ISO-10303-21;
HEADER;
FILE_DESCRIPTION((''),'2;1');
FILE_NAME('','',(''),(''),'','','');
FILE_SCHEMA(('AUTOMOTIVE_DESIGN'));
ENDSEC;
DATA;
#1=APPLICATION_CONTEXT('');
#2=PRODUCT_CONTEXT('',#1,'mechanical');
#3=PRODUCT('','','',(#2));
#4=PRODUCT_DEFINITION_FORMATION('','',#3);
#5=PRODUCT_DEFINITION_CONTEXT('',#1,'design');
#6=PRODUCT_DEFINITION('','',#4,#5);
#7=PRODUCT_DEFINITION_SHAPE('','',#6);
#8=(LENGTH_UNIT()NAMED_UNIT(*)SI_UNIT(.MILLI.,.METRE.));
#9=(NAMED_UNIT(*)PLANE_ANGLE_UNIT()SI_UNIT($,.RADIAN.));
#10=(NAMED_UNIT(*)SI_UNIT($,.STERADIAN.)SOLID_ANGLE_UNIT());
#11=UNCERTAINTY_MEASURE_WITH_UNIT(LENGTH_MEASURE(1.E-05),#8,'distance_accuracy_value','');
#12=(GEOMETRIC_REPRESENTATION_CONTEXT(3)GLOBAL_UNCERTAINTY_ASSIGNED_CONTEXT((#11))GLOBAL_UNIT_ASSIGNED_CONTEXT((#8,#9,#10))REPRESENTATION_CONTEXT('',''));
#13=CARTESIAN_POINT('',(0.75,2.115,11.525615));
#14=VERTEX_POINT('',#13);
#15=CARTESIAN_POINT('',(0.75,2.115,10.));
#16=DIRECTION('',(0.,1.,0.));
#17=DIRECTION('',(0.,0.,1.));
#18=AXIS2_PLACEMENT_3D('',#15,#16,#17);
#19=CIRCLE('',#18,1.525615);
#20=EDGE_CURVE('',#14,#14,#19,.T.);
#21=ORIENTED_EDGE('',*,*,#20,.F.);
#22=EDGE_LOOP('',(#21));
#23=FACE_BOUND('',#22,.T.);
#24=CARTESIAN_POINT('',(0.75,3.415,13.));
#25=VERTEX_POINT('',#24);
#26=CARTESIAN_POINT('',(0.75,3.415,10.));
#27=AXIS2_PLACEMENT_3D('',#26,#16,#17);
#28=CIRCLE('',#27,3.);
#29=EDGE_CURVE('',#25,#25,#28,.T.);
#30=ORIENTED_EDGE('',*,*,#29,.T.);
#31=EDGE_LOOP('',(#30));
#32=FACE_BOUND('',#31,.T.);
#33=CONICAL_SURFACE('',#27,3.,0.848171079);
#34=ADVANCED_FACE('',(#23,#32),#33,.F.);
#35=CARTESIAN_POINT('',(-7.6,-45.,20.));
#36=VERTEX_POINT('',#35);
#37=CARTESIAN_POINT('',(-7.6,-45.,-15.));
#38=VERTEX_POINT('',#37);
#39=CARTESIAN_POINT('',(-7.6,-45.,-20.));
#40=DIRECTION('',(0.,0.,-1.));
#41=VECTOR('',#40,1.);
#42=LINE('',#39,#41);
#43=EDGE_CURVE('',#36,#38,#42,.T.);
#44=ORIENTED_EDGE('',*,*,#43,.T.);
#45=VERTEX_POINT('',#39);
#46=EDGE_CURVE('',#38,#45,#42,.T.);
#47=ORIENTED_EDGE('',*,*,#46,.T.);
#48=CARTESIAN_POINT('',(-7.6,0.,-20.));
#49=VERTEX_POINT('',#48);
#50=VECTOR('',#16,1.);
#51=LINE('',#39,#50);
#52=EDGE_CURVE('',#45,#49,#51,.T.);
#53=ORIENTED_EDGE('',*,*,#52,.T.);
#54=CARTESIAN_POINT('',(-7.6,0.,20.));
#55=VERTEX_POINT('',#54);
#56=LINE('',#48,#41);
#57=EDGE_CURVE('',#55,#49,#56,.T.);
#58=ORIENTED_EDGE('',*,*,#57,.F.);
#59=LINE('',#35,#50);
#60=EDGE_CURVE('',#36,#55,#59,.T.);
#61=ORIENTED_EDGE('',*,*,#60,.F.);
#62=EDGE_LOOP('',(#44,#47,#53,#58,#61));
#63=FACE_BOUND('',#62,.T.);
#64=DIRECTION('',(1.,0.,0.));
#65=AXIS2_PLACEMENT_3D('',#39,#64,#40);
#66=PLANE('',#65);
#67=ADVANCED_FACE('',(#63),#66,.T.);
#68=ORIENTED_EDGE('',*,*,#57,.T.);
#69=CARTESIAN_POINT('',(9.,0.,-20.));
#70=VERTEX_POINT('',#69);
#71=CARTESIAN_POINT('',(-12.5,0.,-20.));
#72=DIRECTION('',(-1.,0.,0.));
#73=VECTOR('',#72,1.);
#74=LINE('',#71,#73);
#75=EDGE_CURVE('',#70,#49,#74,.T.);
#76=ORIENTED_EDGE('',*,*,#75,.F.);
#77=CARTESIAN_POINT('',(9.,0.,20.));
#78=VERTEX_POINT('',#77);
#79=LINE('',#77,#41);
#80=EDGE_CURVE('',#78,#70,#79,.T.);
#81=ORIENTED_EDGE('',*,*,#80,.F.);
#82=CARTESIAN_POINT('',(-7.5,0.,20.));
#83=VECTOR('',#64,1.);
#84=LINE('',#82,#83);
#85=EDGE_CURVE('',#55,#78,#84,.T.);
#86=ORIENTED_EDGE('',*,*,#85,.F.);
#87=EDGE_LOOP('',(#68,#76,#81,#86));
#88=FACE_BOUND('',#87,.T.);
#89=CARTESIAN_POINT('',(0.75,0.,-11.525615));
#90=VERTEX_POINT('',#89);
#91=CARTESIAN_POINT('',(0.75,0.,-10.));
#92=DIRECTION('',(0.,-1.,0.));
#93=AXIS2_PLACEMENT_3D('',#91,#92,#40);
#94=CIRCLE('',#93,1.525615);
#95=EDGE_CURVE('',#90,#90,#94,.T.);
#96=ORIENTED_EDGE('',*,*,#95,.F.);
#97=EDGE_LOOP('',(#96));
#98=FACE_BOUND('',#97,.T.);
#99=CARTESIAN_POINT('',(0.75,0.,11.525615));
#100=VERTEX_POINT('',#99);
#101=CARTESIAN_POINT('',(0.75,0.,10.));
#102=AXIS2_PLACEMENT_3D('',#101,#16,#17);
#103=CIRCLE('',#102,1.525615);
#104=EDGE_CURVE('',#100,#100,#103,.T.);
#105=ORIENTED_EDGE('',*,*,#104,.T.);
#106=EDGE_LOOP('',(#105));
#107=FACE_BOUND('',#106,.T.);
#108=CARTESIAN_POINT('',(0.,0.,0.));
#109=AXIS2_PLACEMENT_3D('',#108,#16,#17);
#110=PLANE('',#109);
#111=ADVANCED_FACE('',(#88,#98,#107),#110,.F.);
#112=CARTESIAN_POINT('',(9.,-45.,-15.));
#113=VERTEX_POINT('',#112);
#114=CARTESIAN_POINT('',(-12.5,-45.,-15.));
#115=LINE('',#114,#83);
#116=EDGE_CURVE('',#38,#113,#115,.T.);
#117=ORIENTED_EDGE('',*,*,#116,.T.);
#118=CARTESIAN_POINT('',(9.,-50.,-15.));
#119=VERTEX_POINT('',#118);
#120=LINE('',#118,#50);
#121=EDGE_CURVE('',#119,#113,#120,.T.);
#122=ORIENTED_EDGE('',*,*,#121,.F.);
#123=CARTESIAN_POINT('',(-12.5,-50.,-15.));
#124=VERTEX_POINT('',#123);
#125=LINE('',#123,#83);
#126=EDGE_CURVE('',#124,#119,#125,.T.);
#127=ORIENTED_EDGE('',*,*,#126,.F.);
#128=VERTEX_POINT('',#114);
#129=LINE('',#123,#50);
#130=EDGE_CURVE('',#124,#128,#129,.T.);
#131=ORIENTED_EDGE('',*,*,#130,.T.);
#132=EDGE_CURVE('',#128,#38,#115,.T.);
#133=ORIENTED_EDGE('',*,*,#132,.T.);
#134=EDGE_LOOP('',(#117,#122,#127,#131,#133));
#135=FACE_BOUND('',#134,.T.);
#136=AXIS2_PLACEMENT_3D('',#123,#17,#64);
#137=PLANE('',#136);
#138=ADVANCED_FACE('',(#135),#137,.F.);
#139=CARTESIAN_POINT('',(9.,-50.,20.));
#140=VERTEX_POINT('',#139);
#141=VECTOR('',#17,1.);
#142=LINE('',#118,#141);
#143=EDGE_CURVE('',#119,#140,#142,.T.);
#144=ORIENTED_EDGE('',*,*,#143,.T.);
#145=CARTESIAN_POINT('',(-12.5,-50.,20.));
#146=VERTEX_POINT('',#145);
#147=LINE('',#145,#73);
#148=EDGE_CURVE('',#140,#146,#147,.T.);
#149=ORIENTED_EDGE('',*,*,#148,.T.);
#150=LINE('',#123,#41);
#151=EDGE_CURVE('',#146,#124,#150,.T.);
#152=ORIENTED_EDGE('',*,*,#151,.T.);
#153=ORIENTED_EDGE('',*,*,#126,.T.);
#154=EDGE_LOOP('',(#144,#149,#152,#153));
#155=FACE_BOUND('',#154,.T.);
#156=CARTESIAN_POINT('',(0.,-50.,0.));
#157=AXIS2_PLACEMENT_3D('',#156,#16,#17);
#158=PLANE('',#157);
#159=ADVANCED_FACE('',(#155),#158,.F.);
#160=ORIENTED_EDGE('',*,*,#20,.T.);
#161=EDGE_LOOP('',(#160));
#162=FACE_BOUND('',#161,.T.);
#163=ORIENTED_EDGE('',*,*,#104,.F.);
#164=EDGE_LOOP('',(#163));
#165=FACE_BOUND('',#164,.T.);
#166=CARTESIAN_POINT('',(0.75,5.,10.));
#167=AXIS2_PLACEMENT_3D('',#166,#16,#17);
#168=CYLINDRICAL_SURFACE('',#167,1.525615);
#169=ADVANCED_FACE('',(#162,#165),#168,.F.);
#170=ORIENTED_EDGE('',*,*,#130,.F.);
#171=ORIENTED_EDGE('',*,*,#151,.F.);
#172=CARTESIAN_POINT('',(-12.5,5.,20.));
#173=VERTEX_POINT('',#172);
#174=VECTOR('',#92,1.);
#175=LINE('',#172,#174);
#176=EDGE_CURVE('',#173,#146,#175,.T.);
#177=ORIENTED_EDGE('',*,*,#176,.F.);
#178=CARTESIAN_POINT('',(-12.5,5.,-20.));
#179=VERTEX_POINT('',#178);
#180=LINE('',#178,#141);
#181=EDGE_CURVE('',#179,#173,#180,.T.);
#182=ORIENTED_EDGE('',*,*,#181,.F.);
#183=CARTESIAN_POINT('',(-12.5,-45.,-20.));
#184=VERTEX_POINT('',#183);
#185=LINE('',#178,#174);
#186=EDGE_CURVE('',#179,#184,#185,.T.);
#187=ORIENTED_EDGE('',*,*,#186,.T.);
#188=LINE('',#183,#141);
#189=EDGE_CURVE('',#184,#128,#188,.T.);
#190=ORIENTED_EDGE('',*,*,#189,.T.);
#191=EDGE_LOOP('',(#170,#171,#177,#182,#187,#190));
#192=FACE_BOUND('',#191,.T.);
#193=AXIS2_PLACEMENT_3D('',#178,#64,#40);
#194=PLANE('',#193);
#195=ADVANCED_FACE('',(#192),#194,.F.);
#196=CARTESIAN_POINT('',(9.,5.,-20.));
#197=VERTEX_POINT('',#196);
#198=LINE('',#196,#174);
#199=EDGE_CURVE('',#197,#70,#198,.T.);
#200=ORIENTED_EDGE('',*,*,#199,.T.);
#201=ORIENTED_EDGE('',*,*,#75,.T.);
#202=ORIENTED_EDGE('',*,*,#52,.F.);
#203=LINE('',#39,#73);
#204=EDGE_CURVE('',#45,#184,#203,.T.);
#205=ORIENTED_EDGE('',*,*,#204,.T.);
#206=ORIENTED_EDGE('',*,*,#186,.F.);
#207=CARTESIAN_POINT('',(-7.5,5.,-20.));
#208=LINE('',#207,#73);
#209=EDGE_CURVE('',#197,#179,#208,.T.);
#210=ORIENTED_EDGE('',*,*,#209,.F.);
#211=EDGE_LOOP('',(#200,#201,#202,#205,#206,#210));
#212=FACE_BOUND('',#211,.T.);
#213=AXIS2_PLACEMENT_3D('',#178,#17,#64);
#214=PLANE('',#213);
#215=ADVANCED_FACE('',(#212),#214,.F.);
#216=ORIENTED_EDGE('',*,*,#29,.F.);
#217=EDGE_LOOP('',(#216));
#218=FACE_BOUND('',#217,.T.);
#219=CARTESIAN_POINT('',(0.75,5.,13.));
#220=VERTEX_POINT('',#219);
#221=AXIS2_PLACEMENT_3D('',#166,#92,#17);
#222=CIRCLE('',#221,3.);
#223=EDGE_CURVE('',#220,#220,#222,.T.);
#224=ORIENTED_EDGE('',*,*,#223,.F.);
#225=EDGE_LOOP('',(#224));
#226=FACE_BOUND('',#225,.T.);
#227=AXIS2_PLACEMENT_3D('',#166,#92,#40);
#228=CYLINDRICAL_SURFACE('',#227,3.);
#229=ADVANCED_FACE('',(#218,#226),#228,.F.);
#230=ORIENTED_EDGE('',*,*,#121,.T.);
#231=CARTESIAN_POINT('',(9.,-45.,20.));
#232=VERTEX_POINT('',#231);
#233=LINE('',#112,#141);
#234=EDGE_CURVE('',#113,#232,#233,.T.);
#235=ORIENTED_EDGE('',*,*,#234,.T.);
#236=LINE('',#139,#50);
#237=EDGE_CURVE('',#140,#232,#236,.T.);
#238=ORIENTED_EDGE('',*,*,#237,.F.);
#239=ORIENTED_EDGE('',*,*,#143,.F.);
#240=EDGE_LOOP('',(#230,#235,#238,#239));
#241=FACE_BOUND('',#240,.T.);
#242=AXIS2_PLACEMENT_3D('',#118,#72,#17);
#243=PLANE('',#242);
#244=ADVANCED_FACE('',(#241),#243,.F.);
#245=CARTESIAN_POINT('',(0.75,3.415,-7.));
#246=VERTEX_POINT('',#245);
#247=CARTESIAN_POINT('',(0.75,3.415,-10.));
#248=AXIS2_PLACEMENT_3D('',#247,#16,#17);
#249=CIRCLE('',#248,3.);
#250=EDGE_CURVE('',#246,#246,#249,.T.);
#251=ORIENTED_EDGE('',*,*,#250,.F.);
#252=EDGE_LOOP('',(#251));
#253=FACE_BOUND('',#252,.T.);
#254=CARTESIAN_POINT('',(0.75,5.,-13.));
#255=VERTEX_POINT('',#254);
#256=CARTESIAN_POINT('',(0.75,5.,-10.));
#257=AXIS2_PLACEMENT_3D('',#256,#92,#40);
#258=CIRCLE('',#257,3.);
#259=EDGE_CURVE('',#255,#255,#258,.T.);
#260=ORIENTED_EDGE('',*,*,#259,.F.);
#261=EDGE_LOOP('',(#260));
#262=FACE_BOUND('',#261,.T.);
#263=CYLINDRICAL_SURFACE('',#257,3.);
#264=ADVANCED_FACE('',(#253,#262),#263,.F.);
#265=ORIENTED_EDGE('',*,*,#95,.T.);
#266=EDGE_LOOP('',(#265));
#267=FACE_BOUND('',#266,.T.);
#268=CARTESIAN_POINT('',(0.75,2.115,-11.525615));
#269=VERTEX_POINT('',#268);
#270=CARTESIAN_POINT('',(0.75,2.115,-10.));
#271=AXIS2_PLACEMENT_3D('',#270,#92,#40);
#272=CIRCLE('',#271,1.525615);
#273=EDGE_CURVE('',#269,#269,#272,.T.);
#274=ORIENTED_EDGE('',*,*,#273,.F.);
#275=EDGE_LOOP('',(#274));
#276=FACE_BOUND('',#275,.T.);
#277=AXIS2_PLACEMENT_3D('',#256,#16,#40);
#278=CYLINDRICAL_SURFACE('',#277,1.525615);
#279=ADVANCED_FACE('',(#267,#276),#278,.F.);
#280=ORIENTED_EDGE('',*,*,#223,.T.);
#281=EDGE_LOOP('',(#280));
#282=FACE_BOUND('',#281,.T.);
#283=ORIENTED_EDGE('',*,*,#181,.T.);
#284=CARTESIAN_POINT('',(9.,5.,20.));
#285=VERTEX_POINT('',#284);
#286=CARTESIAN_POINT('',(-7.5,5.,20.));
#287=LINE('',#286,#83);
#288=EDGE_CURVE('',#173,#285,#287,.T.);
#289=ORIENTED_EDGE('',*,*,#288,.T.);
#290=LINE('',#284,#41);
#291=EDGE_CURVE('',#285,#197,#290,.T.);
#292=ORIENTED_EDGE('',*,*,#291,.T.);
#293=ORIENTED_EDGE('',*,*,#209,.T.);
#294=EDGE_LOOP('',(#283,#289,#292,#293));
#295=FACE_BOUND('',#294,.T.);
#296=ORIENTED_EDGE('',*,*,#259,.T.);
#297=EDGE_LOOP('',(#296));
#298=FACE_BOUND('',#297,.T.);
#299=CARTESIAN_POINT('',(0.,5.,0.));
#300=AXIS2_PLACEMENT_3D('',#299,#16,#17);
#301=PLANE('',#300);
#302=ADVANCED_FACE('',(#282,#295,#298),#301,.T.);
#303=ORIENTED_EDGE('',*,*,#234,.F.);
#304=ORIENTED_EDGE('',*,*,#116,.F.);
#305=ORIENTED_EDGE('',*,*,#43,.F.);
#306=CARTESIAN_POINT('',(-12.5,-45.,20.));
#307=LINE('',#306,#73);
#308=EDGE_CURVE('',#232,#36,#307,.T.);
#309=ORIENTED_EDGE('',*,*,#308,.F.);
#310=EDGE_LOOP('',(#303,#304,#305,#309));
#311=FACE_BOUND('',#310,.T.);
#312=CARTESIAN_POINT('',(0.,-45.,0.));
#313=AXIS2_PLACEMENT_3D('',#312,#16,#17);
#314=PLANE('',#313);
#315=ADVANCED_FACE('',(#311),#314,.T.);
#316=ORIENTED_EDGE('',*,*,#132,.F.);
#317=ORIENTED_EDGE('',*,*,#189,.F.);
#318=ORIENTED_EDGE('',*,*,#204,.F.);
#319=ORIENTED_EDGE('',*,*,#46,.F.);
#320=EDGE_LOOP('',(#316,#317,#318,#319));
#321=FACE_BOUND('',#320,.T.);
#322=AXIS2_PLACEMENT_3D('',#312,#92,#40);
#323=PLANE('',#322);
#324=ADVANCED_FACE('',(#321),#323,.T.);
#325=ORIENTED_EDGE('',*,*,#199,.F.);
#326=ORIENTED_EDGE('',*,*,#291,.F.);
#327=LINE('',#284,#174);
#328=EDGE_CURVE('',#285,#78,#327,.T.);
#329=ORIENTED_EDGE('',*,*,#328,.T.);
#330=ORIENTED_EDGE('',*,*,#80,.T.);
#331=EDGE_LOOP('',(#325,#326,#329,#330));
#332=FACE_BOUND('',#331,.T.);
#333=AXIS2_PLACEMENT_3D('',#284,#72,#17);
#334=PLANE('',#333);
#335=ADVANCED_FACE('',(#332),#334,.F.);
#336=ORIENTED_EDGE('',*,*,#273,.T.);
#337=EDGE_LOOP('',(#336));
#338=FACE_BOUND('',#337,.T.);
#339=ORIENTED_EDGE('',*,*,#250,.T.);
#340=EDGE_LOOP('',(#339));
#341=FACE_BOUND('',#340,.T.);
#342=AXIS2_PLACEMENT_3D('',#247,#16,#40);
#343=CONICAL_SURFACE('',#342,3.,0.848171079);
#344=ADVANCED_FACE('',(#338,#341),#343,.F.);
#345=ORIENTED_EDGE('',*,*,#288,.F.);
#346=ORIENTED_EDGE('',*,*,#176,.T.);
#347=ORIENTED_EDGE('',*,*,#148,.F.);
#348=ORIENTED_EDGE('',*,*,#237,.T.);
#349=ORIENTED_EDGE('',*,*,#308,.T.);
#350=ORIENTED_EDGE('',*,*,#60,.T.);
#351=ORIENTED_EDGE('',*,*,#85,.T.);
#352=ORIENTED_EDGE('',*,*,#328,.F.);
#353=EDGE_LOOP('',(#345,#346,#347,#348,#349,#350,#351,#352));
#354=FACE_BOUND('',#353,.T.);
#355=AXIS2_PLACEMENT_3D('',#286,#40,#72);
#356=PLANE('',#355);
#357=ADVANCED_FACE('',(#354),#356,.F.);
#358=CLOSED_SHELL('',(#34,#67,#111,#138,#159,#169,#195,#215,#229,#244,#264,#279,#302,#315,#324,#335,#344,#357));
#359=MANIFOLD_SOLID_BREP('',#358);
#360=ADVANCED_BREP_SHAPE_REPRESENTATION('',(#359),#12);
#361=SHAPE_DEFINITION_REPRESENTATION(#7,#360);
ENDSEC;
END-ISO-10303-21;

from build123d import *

# Parameters (mm, degrees)
BOSS_EXTRUDE1_DEPTH = 5
SKETCH2_W           = 4.9
SKETCH2_H           = 40
BOSS_EXTRUDE2_DEPTH = 45
SKETCH3_W           = 21.5
SKETCH3_H           = 35
BOSS_EXTRUDE3_DEPTH = 5
SKETCH4_R           = 3
CUT_EXTRUDE1_DEPTH  = 5


with BuildPart() as part:
    # Sketch1 → Boss-Extrude1 (new body)
    with BuildSketch(Plane(origin=(0, 0, 0), x_dir=(1, 0, 0), z_dir=(0, 1, 0))):
        Polygon((-7.5, -20), (9, -20), (9, 20), (-7.5, 20), (-12.5, 20), (-12.5, -20), align=None)
    extrude(amount=BOSS_EXTRUDE1_DEPTH)

    # Sketch2 → Boss-Extrude2 (add)
    with BuildSketch(Plane(origin=(0, 0, 0), x_dir=(1, 0, 0), z_dir=(0, 1, 0))):
        with Locations((-10.05, 0)):
            Rectangle(SKETCH2_W, SKETCH2_H)
    extrude(amount=-BOSS_EXTRUDE2_DEPTH)

    # Sketch3 → Boss-Extrude3 (add)
    with BuildSketch(Plane.XZ.offset(45)):
        with Locations((-1.75, 2.5)):
            Rectangle(SKETCH3_W, SKETCH3_H)
    extrude(amount=BOSS_EXTRUDE3_DEPTH)

    # Sketch4 → Cut-Extrude1 (cut)
    with BuildSketch(Plane.XZ):
        with Locations(Location((0.75, -10, 0), (0, 0, 270))):
            Circle(SKETCH4_R)
        with Locations(Location((0.75, 10, 0), (0, 0, 90))):
            Circle(SKETCH4_R)
    extrude(amount=-CUT_EXTRUDE1_DEPTH, mode=Mode.SUBTRACT)

    # Sketch5 → Revolve1 (revolve)
    with BuildSketch(Plane(origin=(0.75, 0, 0), x_dir=(0, -1, 0), z_dir=(-1, 0, 0))):
        Polygon((-3.415, 13), (-2.115, 11.52561463), (0, 11.52561463), (0, 13), align=None)
    revolve1 = revolve(axis=Axis((0.75, 5, 10), (0, -1, 0)))

    # Mirror1: Revolve1 across plane
    add(revolve1.mirror(Plane.XY))


solid = part.part
